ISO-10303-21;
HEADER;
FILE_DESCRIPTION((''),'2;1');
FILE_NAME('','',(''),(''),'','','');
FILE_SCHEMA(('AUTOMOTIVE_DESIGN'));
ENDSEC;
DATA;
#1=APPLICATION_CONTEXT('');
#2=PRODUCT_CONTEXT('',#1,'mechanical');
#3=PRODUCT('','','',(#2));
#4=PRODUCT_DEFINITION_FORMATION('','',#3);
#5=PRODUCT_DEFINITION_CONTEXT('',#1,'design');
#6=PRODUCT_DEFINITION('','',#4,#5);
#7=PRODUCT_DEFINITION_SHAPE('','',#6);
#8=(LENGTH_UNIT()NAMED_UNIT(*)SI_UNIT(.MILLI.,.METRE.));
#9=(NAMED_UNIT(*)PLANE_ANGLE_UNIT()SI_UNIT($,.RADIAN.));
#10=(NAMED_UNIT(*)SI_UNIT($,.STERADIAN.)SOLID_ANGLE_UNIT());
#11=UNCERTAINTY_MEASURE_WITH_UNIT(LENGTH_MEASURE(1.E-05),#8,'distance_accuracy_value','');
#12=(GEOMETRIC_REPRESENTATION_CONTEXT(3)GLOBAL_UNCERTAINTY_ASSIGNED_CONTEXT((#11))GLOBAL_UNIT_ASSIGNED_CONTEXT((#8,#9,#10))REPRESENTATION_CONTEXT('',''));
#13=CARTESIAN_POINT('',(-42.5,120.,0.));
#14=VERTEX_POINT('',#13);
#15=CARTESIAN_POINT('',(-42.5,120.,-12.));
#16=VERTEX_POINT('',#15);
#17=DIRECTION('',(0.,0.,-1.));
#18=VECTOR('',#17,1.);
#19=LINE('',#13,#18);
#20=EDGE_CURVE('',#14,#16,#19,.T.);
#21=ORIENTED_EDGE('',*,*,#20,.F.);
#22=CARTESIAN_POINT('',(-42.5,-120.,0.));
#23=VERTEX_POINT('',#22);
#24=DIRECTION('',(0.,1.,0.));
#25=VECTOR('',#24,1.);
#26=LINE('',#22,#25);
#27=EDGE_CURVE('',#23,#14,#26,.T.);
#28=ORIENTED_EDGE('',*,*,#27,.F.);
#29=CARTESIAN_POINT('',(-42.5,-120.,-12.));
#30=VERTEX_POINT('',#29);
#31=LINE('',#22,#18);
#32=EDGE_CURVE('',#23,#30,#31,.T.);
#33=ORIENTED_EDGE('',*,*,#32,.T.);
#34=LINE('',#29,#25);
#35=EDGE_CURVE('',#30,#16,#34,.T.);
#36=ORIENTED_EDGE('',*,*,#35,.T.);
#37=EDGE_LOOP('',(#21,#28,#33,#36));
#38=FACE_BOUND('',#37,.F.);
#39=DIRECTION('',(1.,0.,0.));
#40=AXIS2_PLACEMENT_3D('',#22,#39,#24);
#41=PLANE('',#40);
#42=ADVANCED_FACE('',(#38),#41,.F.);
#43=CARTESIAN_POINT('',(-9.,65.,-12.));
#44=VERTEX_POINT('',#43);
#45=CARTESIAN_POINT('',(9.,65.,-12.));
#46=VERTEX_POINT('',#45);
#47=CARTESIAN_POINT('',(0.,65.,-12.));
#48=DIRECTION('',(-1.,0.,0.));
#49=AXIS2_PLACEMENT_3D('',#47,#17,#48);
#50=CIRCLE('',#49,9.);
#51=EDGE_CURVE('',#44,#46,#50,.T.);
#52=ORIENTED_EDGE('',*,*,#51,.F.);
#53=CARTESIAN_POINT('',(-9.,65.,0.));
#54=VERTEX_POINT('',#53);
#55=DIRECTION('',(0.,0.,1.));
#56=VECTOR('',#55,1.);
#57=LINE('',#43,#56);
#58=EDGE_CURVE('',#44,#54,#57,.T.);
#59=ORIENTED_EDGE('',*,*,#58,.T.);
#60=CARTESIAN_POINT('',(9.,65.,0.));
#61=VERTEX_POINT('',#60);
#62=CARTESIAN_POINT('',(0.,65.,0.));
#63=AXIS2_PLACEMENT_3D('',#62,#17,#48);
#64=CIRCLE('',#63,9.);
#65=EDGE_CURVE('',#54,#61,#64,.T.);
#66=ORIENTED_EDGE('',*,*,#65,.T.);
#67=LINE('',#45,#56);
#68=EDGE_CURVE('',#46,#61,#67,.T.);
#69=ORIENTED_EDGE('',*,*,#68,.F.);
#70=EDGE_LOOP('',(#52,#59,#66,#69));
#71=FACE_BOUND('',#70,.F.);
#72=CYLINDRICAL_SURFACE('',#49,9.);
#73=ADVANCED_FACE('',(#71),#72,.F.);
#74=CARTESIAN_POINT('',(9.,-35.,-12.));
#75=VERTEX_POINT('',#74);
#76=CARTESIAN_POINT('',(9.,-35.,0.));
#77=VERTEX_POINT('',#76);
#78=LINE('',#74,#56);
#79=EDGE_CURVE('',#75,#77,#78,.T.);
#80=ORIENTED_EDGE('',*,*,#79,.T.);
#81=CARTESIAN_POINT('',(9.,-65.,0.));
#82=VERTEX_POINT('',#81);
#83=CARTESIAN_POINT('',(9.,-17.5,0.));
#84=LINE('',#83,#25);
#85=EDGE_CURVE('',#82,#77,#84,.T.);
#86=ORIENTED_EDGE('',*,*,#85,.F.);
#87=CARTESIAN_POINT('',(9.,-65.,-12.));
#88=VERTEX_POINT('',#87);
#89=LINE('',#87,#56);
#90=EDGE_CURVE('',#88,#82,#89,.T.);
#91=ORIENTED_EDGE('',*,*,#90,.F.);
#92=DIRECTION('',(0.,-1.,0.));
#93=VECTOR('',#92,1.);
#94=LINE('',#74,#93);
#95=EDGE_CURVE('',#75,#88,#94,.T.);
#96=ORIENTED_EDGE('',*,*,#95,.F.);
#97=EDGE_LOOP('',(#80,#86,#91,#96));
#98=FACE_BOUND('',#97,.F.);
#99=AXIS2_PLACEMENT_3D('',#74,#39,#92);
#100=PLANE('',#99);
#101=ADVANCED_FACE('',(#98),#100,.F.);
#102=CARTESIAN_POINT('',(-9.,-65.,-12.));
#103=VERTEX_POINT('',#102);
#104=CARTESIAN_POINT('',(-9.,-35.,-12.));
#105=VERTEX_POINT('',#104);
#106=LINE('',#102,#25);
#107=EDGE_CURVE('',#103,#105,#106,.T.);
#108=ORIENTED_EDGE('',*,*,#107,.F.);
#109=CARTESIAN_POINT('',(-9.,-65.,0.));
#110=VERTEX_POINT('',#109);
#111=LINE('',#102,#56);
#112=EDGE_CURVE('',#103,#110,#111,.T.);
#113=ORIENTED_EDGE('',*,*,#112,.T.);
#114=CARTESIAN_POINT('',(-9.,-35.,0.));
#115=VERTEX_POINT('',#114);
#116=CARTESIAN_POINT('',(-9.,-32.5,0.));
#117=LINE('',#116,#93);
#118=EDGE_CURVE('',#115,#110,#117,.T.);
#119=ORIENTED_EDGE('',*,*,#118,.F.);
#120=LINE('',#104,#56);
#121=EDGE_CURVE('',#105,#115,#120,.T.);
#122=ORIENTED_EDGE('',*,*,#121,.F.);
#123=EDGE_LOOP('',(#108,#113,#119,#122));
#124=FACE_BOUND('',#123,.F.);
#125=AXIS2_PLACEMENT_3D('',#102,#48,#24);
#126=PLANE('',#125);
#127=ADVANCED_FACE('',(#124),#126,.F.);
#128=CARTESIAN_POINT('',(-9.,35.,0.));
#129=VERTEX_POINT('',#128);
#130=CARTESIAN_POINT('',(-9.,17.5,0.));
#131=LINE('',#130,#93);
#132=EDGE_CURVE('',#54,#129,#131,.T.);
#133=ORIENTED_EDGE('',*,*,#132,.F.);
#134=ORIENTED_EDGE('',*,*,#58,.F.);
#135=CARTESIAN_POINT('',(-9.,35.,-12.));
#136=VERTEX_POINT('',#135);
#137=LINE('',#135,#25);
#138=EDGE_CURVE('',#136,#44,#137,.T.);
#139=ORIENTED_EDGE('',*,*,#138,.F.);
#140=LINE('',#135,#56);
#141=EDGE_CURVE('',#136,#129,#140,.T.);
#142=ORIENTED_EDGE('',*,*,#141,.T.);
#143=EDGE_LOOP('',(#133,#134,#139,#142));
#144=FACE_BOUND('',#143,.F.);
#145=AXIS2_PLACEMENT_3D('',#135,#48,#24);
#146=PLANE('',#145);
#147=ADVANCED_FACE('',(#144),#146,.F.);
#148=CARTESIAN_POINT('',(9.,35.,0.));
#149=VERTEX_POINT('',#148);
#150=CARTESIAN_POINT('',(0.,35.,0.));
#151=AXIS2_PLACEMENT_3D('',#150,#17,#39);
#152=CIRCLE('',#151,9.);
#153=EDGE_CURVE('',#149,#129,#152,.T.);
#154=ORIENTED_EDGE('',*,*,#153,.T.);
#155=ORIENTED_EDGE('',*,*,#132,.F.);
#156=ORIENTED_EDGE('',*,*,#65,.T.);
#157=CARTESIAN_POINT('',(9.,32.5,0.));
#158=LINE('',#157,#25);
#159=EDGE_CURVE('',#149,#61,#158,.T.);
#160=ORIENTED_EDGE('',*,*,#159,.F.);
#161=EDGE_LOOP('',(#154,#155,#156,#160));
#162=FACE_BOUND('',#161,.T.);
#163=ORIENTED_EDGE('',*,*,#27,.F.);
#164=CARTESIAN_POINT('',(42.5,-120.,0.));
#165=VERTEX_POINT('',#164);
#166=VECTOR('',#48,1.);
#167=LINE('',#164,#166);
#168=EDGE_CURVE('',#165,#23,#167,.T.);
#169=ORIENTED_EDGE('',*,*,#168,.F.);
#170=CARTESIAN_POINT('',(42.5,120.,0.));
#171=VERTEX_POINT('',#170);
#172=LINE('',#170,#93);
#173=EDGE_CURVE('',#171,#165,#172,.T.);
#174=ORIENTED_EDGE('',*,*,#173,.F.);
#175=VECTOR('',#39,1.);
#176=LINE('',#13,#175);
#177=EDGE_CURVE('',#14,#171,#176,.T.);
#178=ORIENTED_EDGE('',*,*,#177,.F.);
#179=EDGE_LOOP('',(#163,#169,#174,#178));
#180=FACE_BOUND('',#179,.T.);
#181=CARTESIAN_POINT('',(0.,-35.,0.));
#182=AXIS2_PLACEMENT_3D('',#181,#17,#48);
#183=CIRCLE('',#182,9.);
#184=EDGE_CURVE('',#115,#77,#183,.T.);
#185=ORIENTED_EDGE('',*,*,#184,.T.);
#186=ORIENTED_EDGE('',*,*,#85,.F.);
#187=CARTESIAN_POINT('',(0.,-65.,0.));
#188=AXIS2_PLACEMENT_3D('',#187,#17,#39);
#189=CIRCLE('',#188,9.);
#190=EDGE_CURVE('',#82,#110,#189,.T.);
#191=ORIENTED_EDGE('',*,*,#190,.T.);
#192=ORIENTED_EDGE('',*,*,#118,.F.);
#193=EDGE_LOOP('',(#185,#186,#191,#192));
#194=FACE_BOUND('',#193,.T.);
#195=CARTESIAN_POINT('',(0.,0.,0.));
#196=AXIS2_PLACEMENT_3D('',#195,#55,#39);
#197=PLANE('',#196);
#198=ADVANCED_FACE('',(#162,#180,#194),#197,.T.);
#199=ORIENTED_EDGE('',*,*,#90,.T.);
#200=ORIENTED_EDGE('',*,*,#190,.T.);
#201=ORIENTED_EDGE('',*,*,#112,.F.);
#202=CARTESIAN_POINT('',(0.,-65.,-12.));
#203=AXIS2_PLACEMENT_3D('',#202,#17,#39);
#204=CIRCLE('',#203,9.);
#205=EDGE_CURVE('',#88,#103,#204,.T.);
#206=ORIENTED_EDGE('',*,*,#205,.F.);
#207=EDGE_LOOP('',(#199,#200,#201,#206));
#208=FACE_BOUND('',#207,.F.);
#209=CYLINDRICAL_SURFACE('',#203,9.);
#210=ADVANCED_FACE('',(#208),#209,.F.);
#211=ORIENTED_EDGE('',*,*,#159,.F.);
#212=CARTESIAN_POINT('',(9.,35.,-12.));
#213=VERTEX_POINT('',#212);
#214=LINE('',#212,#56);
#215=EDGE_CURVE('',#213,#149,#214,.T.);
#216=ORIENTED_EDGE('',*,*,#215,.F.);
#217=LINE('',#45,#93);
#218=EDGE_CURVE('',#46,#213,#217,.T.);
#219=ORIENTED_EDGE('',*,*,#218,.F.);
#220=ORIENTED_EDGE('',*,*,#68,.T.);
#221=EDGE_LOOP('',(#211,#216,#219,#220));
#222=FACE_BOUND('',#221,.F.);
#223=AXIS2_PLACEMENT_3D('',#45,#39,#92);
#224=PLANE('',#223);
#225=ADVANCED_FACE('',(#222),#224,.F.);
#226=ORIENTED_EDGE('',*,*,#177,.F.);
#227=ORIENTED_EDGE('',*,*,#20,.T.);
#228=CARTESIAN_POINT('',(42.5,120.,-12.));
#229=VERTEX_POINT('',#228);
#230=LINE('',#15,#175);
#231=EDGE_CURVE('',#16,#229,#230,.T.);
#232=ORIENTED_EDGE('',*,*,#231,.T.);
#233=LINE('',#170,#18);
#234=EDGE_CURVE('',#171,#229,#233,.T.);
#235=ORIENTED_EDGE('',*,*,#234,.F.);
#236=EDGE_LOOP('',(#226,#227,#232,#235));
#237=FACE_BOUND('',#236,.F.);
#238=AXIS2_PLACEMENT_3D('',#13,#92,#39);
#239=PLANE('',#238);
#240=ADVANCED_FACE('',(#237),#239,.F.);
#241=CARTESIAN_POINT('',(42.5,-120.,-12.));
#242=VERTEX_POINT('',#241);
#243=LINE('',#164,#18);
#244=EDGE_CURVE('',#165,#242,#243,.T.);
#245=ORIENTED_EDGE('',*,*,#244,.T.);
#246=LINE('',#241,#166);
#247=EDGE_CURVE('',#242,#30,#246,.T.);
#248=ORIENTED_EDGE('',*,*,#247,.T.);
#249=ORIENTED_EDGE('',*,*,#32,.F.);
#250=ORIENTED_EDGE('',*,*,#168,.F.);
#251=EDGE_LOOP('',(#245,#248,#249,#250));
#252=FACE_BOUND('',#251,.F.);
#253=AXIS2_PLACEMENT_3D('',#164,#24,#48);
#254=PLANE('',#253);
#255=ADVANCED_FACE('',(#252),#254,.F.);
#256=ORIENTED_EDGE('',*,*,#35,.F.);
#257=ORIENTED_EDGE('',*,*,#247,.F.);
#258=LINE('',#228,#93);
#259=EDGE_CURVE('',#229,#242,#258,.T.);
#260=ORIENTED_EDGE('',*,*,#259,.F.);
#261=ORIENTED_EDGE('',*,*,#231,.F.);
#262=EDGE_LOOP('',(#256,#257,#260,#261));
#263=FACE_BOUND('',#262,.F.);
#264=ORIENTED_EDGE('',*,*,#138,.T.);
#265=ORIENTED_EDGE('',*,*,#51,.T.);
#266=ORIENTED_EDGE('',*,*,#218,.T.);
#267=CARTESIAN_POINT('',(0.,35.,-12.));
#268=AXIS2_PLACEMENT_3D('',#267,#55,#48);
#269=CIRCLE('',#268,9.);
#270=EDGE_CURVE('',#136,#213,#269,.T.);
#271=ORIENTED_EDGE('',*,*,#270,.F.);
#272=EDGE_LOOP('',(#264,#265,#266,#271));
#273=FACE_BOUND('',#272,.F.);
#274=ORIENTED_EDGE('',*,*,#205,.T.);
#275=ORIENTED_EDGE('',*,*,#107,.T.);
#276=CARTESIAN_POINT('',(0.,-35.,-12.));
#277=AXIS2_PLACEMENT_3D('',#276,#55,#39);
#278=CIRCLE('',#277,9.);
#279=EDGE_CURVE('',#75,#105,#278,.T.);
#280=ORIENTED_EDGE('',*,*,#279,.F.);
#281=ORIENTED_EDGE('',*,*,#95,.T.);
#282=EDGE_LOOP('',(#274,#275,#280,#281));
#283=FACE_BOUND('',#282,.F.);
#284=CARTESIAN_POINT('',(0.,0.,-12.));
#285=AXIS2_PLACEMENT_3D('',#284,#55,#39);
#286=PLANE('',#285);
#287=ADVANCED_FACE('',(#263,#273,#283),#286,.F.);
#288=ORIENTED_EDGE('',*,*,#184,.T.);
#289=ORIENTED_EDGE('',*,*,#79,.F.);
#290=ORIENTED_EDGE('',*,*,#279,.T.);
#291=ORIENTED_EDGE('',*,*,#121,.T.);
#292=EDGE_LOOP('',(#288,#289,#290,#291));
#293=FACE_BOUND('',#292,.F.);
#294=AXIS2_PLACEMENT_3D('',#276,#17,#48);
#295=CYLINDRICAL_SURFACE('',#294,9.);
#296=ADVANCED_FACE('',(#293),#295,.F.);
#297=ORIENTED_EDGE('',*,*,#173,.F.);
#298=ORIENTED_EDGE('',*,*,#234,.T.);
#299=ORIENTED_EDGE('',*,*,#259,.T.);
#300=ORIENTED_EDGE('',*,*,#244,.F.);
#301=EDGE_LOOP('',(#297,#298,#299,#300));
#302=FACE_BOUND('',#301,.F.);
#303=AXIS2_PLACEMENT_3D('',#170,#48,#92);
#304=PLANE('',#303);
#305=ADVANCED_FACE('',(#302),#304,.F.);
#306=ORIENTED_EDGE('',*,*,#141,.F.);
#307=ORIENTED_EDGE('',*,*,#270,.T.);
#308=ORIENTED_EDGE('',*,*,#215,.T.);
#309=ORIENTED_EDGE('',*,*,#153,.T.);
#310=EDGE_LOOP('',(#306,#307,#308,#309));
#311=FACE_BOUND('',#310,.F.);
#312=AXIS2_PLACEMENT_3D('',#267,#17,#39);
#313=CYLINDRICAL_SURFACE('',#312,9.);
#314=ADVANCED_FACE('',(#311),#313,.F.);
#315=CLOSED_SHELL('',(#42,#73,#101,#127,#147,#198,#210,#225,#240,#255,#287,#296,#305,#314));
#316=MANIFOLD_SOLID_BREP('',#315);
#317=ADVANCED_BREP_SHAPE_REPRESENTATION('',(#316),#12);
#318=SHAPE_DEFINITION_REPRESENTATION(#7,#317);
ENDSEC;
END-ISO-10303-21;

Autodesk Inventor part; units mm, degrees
ref_plane "YZ Plane" through (0, 0, 0) normal (1, 0, 0) x (0, 1, 0)
ref_plane "XZ Plane" through (0, 0, 0) normal (0, 1, 0) x (-1, 0, 0)
ref_plane "XY Plane" through (0, 0, 0) normal (0, 0, 1) x (1, 0, 0)
sketch "Sketch1" plane through (0, 0, 0) normal (0, 0, 1) x (1, 0, 0)
  line L0 (42.5, -120) -> (-42.5, -120)
  line L1 (-42.5, -120) -> (-42.5, 120)
  line L2 (-42.5, 120) -> (42.5, 120)
  line L3 (42.5, 120) -> (42.5, -120)
  line L4 (42.5, -120) -> (-42.5, 120) construction
  line L5 (-42.5, -120) -> (42.5, 120) construction
  point P0 (0, 0)
  dimension "d42" = 85
  dimension "d43" = 240
extrude "Extrusion1" add sketch "Sketch1" against normal blind 12
sketch "Sketch2" plane through (0, 0, -12) normal (0, 0, -1) x (1, 0, 0)
  line L0 (42.5, -120) -> (42.5, 120) projected
  line L1 (0, -50) -> (0, 50)
  line L2 (0, -65) -> (0, -35) construction
  line L3 (9, -65) -> (9, -35)
  line L4 (-9, -35) -> (-9, -65)
  arc A0 (-9, -65) -> (9, -65) centre (0, -65) ccw
  arc A1 (9, -35) -> (-9, -35) centre (0, -35) ccw
  line L5 (0, 35) -> (0, 65) construction
  line L6 (9, 35) -> (9, 65)
  line L7 (-9, 65) -> (-9, 35)
  arc A2 (-9, 35) -> (9, 35) centre (0, 35) ccw
  arc A3 (9, 65) -> (-9, 65) centre (0, 65) ccw
  point P0 (0, 0)
  point P1 (0, -50)
  point P2 (0, 0)
  dimension "d46" = 100
  dimension "d47" = 30
  dimension "d48" = 18
  dimension "d49" = 30
  dimension "d50" = 18
extrude "Extrusion2" cut sketch "Sketch2" against normal through all
equation "\"d49\" = d47"
equation "\"d50\" = d48"
properties part number "StairsConnectionPlate" material "Steel"
